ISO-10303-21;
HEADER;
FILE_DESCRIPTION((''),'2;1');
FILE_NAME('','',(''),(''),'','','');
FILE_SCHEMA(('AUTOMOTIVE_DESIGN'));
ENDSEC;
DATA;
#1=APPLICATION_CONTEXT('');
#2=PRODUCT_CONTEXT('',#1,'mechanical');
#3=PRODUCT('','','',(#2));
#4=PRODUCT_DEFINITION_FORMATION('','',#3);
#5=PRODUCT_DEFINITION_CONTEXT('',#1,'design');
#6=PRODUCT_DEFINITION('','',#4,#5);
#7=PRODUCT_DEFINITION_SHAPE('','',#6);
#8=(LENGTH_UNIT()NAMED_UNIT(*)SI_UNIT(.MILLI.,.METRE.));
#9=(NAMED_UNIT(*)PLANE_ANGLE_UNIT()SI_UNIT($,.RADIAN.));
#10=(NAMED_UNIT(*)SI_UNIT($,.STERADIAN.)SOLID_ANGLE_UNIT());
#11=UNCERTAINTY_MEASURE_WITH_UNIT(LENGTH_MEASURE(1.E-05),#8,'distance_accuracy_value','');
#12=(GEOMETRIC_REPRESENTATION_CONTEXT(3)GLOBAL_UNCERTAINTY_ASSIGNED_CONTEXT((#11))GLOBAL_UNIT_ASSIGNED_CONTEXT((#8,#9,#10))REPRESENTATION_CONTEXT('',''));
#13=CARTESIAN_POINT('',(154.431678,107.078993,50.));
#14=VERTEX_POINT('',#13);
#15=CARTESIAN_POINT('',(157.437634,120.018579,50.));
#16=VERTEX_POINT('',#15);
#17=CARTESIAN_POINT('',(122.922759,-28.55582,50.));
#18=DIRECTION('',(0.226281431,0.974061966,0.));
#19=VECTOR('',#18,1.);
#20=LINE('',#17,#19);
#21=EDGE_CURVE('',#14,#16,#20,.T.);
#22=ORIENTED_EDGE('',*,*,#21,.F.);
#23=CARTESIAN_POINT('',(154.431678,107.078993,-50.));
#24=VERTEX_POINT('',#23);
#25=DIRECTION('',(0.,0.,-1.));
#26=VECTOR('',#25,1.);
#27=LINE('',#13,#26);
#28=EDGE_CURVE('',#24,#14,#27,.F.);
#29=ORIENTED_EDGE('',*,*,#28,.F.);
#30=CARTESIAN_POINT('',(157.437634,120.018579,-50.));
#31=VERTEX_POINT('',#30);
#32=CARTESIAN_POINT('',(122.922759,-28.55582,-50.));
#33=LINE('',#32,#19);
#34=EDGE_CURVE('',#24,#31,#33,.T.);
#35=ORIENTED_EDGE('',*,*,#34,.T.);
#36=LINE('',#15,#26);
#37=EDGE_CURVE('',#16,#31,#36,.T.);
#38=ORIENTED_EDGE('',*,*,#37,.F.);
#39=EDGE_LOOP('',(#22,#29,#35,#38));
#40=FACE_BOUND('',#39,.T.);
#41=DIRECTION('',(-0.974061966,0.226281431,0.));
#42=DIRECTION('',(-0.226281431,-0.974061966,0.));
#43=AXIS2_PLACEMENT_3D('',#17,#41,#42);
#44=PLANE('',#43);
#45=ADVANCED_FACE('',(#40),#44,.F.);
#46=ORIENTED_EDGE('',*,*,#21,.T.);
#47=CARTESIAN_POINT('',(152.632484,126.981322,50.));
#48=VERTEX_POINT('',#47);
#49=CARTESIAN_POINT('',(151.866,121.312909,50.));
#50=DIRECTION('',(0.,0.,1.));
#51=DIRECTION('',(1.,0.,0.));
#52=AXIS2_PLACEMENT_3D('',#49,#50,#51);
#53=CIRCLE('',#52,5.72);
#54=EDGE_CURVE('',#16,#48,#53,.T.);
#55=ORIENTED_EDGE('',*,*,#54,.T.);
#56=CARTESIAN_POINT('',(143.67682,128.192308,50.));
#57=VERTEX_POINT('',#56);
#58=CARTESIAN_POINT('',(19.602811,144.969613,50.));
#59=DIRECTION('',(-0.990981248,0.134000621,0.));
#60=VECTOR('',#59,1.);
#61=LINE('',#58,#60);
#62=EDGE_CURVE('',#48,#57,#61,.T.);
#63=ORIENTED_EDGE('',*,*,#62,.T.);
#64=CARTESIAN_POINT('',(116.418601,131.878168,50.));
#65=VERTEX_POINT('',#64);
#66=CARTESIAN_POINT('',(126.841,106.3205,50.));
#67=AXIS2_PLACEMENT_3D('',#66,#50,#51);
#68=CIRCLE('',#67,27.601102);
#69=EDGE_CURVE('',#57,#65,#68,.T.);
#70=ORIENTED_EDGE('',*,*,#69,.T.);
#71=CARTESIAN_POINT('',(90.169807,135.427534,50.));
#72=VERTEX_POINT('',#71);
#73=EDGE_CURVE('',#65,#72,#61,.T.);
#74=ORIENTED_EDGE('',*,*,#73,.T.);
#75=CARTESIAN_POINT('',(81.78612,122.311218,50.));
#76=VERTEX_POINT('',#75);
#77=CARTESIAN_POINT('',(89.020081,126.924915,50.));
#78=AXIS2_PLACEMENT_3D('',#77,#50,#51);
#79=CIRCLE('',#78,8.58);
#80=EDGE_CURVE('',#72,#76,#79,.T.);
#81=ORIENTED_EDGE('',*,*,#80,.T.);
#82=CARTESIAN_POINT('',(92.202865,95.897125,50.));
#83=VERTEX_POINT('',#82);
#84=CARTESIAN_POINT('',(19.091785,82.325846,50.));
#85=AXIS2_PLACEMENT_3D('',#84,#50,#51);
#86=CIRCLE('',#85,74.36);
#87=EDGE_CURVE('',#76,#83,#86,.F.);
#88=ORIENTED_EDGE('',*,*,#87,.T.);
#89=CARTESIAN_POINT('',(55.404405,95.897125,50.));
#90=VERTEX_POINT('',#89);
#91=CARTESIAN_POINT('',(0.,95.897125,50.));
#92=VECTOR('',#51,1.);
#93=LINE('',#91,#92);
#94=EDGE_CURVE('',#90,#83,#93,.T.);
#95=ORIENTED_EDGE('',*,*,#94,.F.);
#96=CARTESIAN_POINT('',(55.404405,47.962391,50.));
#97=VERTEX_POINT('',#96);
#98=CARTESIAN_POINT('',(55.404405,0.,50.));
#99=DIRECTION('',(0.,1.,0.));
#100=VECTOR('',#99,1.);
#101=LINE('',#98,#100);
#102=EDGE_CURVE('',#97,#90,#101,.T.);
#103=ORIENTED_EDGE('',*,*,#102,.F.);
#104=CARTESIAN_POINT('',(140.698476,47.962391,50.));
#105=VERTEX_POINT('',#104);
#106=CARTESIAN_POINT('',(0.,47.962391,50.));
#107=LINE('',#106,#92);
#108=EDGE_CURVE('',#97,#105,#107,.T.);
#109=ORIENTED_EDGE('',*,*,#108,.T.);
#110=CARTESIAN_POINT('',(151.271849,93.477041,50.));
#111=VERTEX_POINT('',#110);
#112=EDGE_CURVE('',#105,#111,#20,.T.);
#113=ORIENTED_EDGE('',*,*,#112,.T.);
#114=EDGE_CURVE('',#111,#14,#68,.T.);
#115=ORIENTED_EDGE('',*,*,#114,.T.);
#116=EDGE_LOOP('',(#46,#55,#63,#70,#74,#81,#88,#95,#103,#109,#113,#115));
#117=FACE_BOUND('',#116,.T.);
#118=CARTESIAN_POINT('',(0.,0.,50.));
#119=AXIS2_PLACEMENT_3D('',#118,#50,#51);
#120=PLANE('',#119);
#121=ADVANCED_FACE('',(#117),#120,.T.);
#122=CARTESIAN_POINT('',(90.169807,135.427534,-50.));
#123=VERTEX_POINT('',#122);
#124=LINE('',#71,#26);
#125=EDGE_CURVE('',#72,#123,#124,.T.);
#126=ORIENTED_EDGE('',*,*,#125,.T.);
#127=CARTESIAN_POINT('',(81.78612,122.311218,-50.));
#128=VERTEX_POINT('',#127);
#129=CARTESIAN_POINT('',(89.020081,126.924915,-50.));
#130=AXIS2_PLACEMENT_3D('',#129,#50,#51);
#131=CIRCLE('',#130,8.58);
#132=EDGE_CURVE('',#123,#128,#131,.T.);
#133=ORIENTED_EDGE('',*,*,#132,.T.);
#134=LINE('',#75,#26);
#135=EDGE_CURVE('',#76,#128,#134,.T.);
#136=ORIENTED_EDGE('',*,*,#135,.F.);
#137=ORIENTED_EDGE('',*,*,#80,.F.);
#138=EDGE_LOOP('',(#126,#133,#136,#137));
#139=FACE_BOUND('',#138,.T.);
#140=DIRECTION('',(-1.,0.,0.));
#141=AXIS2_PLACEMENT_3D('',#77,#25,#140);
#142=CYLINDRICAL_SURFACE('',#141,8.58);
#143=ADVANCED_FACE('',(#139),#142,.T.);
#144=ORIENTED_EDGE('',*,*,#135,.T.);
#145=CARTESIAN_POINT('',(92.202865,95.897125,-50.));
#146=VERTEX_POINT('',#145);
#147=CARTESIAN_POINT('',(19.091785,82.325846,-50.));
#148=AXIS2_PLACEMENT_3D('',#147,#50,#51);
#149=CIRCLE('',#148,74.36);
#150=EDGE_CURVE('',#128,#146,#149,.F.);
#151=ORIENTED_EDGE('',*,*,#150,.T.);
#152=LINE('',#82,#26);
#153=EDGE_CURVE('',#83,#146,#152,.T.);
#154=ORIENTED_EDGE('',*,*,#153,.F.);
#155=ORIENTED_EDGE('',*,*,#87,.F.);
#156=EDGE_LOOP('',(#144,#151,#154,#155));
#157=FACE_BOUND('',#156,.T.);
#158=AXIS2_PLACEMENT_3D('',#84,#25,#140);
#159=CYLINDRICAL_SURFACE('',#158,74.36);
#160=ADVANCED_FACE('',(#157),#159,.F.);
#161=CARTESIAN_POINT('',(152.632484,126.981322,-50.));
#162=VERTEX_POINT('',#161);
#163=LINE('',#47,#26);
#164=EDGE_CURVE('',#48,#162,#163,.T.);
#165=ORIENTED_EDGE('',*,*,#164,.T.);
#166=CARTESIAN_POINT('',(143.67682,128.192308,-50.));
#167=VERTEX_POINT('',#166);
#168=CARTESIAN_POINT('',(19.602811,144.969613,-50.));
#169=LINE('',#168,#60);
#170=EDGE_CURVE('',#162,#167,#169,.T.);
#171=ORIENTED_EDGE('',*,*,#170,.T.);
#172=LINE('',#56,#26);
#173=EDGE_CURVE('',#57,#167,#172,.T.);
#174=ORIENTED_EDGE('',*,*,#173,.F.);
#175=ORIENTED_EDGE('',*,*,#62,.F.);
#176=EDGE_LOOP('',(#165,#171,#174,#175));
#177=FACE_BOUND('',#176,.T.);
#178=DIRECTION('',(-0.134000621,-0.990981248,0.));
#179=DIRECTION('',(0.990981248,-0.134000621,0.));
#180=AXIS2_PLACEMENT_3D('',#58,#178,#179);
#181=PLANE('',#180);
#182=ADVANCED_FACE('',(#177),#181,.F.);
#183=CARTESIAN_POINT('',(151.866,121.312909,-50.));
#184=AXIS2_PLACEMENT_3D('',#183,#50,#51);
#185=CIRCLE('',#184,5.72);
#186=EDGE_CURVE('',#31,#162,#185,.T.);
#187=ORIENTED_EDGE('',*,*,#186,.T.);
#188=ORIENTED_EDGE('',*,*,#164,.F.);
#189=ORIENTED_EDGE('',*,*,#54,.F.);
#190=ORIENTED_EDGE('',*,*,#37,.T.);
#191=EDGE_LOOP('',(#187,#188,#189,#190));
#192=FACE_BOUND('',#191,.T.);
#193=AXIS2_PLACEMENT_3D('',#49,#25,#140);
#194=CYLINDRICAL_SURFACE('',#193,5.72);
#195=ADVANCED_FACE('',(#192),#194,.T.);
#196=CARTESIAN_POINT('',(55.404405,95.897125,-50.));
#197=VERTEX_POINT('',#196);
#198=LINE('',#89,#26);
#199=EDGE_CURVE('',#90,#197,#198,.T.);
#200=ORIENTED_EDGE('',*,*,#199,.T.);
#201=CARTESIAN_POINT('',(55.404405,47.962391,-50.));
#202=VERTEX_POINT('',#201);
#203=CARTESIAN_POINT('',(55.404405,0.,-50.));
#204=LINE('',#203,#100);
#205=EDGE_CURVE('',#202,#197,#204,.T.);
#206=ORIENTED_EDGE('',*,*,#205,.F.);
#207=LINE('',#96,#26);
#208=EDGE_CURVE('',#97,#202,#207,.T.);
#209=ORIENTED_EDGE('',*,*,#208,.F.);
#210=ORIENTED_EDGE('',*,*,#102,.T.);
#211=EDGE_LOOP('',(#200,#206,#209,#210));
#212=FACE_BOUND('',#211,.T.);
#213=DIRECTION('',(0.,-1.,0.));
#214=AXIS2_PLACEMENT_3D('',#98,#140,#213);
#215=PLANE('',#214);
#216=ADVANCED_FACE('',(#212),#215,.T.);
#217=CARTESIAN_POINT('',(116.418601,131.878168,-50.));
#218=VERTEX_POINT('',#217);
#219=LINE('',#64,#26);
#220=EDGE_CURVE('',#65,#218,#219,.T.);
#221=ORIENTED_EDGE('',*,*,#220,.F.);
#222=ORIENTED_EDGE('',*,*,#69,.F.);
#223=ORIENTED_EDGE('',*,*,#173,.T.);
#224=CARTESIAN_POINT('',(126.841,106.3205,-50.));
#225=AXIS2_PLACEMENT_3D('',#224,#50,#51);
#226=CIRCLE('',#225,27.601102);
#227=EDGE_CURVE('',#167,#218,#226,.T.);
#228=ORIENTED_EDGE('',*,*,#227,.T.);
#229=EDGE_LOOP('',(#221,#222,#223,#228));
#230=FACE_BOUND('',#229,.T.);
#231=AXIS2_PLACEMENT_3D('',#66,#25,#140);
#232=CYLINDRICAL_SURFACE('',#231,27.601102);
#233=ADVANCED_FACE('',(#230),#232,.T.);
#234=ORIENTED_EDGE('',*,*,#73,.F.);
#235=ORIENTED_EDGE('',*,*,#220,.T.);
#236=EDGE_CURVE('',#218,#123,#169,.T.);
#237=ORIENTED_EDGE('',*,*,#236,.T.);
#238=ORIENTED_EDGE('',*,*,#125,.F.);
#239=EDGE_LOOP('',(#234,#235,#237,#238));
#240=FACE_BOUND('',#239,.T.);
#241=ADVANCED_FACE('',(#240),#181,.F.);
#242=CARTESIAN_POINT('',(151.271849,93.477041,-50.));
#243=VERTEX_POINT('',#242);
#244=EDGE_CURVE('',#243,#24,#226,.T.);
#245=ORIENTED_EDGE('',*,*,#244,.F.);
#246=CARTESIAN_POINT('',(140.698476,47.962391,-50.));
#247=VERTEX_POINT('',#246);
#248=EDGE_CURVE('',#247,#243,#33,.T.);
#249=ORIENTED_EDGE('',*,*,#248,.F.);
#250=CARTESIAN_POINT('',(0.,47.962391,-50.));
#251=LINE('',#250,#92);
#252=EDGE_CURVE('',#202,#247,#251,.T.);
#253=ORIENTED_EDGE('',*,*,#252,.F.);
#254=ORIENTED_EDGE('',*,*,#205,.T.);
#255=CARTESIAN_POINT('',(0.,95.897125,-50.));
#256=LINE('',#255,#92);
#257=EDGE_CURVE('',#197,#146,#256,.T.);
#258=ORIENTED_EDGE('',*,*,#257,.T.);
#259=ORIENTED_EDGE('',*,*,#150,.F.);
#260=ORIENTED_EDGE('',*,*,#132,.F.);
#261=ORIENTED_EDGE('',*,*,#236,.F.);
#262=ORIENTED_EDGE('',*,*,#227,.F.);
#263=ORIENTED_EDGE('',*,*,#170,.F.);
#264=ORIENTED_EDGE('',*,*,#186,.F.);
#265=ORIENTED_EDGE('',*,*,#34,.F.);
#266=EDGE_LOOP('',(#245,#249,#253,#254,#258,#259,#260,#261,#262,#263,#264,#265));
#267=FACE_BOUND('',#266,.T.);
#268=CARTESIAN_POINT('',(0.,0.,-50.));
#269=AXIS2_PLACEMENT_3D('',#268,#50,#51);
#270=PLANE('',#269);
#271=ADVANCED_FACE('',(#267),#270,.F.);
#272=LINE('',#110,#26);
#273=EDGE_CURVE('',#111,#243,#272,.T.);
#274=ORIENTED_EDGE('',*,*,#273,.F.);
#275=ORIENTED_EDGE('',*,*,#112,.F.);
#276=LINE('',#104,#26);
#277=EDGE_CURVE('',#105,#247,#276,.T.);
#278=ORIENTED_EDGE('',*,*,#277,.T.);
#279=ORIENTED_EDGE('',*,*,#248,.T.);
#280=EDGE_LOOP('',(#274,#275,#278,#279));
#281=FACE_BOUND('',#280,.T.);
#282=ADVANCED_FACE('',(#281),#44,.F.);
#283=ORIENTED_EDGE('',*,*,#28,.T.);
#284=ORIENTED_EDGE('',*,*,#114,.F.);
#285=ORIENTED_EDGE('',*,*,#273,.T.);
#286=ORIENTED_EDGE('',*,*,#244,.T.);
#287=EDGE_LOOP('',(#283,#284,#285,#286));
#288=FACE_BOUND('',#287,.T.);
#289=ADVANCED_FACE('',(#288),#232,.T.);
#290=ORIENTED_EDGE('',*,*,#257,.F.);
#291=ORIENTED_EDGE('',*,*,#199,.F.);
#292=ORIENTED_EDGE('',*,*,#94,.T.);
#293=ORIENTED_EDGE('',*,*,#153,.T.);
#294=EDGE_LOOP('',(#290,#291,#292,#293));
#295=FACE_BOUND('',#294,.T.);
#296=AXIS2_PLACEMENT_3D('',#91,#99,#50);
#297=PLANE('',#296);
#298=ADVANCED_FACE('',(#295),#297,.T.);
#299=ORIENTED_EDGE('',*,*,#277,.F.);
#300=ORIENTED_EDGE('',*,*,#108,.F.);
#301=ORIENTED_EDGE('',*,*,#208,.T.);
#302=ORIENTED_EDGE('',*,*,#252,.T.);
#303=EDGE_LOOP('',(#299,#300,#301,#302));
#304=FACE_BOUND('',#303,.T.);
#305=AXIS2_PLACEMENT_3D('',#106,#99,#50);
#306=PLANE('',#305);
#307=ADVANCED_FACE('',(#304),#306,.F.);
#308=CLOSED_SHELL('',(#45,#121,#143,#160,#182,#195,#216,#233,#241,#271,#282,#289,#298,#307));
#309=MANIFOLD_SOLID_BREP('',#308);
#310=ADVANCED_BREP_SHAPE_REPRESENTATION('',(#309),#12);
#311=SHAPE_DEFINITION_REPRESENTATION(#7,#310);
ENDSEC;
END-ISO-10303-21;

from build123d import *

# Parameters (mm, degrees)
SKETCH_1_R                     = 27.60110162
EXTRUDE_1_DEPTH                = 50
SPLIT_BODIES_1_SURFACE_1_BACK  = 231.64
SPLIT_BODIES_1_SURFACE_1_DEPTH = 463.28
SPLIT_BODIES_1_SURFACE_2_BACK  = 231.64
SPLIT_BODIES_1_SURFACE_2_DEPTH = 463.28


with BuildPart() as part:
    # 草图1 → 凸台-拉伸1 (new, symmetric)
    with BuildSketch(Plane.XY):
        with Locations((126.841, 106.3205)):
            Circle(SKETCH_1_R)
        with BuildLine():
            Line((0, 29.556947787), (33.841128496, 29.556947787))
            Line((33.841128496, 29.556947787), (55.404404979, 43.133825573))
            Line((55.404404979, 43.133825573), (55.404404979, 95.897124924))
            Line((55.404404979, 95.897124924), (92.202864513, 95.897124924))
            ThreePointArc((92.202864513, 95.897124924), (88.266951773, 109.605982584), (81.786119565, 122.311217777))
            ThreePointArc((81.786119565, 122.311217777), (81.790702408, 131.54578908), (90.169806602, 135.427533672))
            Line((90.169806602, 135.427533672), (152.632483554, 126.981321854))
            ThreePointArc((152.632483554, 126.981321854), (156.573746893, 124.561834969), (157.437634447, 120.018579331))
            Line((157.437634447, 120.018579331), (140.698476255, 47.962391292))
            Line((140.698476255, 47.962391292), (125.156200351, 47.962391292))
            Line((125.156200351, 47.962391292), (116.770080258, 26.493923855))
            Line((116.770080258, 26.493923855), (133.542320443, 26.493923855))
            Line((133.542320443, 26.493923855), (144.001, 0))
            Line((144.001, 0), (0, 0))
            Line((0, 0), (0, 29.556947787))
        make_face()
    extrude(amount=EXTRUDE_1_DEPTH, both=True)


with BuildPart() as body_2:
    # Split Bodies 1: the piece behind the surface
    add(part.part)
    # Split Bodies 1 surface: a surface, the sketch's curves swept straight by 463.28 mm
    with BuildLine(Plane.XY.offset(50).offset(-SPLIT_BODIES_1_SURFACE_1_BACK), mode=Mode.PRIVATE) as split_bodies_1_surface_1_path:
        Line((125.156200351, 47.962391292), (37.921543342, 47.962391292))
    split_bodies_1_surface_1 = Shell.extrude(split_bodies_1_surface_1_path.wire(), (0 * SPLIT_BODIES_1_SURFACE_1_DEPTH, 0 * SPLIT_BODIES_1_SURFACE_1_DEPTH, 1 * SPLIT_BODIES_1_SURFACE_1_DEPTH))
    split(bisect_by=split_bodies_1_surface_1, keep=Keep.BOTTOM)


with BuildPart() as part_1:
    add(part.part)

    # Split Bodies 1: split by a surface, the side it looks to stays
    # Split Bodies 1 surface: a surface, the sketch's curves swept straight by 463.28 mm
    with BuildLine(Plane.XY.offset(50).offset(-SPLIT_BODIES_1_SURFACE_2_BACK), mode=Mode.PRIVATE) as split_bodies_1_surface_2_path:
        Line((125.156200351, 47.962391292), (37.921543342, 47.962391292))
    split_bodies_1_surface_2 = Shell.extrude(split_bodies_1_surface_2_path.wire(), (0 * SPLIT_BODIES_1_SURFACE_2_DEPTH, 0 * SPLIT_BODIES_1_SURFACE_2_DEPTH, 1 * SPLIT_BODIES_1_SURFACE_2_DEPTH))
    split(bisect_by=split_bodies_1_surface_2, keep=Keep.TOP)


solid = body_2.part
